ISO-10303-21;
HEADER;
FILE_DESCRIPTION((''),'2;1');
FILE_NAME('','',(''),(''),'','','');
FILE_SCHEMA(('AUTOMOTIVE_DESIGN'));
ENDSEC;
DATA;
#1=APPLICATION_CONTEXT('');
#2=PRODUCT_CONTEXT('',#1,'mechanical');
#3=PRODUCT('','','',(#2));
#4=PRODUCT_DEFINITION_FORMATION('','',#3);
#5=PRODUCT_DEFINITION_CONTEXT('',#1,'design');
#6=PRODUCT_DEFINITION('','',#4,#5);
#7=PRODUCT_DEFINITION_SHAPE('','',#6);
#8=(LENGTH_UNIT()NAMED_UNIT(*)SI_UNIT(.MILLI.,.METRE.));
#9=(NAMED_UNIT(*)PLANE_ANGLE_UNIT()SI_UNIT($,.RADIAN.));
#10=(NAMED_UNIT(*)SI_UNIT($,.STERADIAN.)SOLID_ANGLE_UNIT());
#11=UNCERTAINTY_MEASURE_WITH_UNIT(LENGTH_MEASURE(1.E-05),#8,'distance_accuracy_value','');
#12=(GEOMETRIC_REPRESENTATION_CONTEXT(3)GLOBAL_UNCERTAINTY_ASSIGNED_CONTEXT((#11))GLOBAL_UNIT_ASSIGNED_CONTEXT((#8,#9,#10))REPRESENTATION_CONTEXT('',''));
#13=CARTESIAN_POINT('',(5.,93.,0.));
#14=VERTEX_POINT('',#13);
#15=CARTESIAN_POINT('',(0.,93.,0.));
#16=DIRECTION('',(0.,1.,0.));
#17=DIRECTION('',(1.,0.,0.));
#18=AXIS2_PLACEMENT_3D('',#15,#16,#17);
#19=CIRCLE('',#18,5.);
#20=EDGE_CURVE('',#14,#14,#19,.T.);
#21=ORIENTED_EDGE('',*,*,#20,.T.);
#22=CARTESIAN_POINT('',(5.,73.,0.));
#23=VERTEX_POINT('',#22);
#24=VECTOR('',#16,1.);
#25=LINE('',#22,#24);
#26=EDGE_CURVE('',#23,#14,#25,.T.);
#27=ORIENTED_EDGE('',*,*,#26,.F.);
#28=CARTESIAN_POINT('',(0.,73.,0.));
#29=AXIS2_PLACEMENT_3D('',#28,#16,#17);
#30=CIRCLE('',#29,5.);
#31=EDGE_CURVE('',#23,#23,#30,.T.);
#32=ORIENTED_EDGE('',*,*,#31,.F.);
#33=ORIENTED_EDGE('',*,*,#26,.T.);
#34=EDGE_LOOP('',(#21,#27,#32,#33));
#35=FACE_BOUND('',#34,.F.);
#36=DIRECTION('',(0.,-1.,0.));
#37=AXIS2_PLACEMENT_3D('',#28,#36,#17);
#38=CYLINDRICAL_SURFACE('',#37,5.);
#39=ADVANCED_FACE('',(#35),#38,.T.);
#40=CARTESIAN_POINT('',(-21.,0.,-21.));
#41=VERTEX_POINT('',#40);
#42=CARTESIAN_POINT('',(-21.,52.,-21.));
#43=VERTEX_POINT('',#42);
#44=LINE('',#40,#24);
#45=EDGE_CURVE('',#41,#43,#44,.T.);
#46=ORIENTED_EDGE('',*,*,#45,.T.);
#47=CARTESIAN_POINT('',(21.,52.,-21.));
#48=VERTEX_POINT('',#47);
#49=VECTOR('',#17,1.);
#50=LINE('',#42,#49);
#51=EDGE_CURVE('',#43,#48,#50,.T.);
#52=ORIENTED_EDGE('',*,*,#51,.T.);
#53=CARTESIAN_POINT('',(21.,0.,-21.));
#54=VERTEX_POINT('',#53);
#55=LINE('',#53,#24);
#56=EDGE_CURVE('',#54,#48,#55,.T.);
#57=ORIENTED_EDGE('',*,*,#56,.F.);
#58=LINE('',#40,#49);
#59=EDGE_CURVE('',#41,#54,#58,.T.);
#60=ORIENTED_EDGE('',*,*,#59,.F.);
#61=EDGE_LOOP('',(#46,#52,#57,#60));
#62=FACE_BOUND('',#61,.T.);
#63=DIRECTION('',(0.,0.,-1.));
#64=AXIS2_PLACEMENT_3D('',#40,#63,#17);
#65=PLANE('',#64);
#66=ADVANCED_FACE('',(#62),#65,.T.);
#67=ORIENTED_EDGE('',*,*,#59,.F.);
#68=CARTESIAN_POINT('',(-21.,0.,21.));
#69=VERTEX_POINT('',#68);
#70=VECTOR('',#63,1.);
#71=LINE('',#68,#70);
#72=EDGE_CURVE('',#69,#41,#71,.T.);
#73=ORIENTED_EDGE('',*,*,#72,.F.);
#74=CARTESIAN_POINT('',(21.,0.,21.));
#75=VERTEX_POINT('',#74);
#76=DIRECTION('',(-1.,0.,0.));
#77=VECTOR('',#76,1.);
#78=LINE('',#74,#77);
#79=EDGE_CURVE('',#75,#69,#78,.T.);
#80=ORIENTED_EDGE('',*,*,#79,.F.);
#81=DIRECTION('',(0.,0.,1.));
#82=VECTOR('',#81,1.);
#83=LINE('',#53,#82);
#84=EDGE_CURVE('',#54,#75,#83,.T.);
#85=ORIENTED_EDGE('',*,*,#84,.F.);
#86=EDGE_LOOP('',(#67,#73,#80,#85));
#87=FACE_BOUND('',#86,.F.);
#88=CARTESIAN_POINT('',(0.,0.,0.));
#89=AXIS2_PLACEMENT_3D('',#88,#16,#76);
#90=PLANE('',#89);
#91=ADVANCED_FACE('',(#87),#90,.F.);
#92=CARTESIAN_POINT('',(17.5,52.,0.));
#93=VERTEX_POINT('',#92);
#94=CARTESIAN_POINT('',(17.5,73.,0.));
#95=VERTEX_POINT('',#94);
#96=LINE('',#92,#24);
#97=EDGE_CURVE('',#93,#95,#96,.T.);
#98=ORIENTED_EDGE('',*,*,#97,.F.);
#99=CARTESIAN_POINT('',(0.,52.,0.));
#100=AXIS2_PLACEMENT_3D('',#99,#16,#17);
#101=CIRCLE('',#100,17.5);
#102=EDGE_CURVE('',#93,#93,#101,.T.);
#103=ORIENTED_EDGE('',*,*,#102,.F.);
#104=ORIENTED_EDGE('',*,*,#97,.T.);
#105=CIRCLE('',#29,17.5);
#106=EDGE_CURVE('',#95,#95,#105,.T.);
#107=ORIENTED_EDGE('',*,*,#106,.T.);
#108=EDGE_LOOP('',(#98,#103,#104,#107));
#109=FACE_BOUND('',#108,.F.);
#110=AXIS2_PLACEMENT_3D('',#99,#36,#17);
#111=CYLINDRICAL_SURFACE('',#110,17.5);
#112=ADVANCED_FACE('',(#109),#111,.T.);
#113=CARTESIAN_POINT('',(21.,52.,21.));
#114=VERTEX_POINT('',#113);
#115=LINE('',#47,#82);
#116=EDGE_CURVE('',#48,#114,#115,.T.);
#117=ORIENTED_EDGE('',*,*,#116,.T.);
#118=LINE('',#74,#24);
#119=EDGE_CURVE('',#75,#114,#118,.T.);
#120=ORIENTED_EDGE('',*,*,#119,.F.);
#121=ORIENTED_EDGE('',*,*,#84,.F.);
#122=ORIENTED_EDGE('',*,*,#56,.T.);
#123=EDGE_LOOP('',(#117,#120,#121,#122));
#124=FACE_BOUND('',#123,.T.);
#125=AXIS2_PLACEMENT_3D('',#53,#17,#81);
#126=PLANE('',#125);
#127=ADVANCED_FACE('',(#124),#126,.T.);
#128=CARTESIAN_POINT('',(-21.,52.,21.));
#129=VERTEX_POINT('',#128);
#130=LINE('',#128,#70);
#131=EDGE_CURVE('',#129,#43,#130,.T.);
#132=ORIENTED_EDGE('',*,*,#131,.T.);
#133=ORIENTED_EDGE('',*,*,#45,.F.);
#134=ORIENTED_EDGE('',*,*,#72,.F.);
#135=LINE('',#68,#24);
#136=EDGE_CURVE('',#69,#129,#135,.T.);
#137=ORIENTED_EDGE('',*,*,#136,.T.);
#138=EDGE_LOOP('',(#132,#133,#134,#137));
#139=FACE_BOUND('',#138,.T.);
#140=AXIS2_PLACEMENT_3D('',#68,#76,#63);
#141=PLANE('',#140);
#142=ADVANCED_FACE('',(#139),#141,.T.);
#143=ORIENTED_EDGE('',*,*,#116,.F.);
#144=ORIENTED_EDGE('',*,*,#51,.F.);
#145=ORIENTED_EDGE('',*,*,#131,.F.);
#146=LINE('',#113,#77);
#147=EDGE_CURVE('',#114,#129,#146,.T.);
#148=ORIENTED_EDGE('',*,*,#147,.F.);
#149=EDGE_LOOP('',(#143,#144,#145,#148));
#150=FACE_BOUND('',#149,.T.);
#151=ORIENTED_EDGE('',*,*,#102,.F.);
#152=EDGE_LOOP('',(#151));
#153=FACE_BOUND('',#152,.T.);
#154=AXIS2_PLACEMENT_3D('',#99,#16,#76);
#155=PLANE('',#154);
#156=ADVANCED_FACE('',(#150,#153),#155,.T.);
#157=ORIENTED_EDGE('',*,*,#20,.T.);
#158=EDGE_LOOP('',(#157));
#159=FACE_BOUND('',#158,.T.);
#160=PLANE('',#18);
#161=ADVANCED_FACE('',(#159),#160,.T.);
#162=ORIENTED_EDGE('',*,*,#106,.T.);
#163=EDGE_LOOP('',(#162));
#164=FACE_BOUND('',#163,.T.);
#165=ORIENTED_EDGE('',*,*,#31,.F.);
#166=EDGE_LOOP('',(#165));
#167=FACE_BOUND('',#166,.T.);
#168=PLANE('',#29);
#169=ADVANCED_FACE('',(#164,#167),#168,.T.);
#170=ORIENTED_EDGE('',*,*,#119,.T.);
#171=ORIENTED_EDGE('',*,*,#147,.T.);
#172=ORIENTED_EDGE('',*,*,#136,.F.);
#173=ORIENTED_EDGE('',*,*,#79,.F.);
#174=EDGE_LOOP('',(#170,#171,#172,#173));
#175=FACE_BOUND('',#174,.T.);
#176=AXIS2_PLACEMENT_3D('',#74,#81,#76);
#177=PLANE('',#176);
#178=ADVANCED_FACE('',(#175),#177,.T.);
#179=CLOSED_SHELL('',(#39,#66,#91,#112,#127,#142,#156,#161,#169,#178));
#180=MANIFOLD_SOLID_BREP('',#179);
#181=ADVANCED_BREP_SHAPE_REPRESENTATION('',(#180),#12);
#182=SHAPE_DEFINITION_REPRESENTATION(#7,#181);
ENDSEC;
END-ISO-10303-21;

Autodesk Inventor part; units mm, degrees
ref_plane "YZ Plane" through (0, 0, 0) normal (1, 0, 0) x (0, 1, 0)
ref_plane "XZ Plane" through (0, 0, 0) normal (0, 1, 0) x (-1, 0, 0)
ref_plane "XY Plane" through (0, 0, 0) normal (0, 0, 1) x (1, 0, 0)
sketch "Sketch1" plane through (0, 0, 0) normal (0, 1, 0) x (-1, 0, 0)
  line L0 (-21, 21) -> (21, 21)
  line L1 (21, 21) -> (21, -21)
  line L2 (21, -21) -> (-21, -21)
  line L3 (-21, -21) -> (-21, 21)
  line L4 (-21, 21) -> (21, -21) construction
  line L5 (21, 21) -> (-21, -21) construction
  point P0 (0, 0)
  dimension "d0" = 42
  dimension "d1" = 42
extrude "Extrusion1" add sketch "Sketch1" along normal blind 52
sketch "Sketch2" plane through (0, 52, 0) normal (0, 1, 0) x (1, 0, 0)
  circle A0 centre (0, 0) radius 17.5
  circle A1 centre (0, 0) radius 5
  dimension "d4" = 35
  dimension "d7" = 10
extrude "Extrusion2" add sketch "Sketch2" along normal blind 21 contours A0 | A1
sketch "Sketch3" plane through (0, 73, 0) normal (0, 1, 0) x (1, 0, 0)
  circle A0 centre (0, 0) radius 5
  dimension "d8" = 10
extrude "Extrusion3" add sketch "Sketch3" along normal blind 20
properties part number "StepperMotor"
